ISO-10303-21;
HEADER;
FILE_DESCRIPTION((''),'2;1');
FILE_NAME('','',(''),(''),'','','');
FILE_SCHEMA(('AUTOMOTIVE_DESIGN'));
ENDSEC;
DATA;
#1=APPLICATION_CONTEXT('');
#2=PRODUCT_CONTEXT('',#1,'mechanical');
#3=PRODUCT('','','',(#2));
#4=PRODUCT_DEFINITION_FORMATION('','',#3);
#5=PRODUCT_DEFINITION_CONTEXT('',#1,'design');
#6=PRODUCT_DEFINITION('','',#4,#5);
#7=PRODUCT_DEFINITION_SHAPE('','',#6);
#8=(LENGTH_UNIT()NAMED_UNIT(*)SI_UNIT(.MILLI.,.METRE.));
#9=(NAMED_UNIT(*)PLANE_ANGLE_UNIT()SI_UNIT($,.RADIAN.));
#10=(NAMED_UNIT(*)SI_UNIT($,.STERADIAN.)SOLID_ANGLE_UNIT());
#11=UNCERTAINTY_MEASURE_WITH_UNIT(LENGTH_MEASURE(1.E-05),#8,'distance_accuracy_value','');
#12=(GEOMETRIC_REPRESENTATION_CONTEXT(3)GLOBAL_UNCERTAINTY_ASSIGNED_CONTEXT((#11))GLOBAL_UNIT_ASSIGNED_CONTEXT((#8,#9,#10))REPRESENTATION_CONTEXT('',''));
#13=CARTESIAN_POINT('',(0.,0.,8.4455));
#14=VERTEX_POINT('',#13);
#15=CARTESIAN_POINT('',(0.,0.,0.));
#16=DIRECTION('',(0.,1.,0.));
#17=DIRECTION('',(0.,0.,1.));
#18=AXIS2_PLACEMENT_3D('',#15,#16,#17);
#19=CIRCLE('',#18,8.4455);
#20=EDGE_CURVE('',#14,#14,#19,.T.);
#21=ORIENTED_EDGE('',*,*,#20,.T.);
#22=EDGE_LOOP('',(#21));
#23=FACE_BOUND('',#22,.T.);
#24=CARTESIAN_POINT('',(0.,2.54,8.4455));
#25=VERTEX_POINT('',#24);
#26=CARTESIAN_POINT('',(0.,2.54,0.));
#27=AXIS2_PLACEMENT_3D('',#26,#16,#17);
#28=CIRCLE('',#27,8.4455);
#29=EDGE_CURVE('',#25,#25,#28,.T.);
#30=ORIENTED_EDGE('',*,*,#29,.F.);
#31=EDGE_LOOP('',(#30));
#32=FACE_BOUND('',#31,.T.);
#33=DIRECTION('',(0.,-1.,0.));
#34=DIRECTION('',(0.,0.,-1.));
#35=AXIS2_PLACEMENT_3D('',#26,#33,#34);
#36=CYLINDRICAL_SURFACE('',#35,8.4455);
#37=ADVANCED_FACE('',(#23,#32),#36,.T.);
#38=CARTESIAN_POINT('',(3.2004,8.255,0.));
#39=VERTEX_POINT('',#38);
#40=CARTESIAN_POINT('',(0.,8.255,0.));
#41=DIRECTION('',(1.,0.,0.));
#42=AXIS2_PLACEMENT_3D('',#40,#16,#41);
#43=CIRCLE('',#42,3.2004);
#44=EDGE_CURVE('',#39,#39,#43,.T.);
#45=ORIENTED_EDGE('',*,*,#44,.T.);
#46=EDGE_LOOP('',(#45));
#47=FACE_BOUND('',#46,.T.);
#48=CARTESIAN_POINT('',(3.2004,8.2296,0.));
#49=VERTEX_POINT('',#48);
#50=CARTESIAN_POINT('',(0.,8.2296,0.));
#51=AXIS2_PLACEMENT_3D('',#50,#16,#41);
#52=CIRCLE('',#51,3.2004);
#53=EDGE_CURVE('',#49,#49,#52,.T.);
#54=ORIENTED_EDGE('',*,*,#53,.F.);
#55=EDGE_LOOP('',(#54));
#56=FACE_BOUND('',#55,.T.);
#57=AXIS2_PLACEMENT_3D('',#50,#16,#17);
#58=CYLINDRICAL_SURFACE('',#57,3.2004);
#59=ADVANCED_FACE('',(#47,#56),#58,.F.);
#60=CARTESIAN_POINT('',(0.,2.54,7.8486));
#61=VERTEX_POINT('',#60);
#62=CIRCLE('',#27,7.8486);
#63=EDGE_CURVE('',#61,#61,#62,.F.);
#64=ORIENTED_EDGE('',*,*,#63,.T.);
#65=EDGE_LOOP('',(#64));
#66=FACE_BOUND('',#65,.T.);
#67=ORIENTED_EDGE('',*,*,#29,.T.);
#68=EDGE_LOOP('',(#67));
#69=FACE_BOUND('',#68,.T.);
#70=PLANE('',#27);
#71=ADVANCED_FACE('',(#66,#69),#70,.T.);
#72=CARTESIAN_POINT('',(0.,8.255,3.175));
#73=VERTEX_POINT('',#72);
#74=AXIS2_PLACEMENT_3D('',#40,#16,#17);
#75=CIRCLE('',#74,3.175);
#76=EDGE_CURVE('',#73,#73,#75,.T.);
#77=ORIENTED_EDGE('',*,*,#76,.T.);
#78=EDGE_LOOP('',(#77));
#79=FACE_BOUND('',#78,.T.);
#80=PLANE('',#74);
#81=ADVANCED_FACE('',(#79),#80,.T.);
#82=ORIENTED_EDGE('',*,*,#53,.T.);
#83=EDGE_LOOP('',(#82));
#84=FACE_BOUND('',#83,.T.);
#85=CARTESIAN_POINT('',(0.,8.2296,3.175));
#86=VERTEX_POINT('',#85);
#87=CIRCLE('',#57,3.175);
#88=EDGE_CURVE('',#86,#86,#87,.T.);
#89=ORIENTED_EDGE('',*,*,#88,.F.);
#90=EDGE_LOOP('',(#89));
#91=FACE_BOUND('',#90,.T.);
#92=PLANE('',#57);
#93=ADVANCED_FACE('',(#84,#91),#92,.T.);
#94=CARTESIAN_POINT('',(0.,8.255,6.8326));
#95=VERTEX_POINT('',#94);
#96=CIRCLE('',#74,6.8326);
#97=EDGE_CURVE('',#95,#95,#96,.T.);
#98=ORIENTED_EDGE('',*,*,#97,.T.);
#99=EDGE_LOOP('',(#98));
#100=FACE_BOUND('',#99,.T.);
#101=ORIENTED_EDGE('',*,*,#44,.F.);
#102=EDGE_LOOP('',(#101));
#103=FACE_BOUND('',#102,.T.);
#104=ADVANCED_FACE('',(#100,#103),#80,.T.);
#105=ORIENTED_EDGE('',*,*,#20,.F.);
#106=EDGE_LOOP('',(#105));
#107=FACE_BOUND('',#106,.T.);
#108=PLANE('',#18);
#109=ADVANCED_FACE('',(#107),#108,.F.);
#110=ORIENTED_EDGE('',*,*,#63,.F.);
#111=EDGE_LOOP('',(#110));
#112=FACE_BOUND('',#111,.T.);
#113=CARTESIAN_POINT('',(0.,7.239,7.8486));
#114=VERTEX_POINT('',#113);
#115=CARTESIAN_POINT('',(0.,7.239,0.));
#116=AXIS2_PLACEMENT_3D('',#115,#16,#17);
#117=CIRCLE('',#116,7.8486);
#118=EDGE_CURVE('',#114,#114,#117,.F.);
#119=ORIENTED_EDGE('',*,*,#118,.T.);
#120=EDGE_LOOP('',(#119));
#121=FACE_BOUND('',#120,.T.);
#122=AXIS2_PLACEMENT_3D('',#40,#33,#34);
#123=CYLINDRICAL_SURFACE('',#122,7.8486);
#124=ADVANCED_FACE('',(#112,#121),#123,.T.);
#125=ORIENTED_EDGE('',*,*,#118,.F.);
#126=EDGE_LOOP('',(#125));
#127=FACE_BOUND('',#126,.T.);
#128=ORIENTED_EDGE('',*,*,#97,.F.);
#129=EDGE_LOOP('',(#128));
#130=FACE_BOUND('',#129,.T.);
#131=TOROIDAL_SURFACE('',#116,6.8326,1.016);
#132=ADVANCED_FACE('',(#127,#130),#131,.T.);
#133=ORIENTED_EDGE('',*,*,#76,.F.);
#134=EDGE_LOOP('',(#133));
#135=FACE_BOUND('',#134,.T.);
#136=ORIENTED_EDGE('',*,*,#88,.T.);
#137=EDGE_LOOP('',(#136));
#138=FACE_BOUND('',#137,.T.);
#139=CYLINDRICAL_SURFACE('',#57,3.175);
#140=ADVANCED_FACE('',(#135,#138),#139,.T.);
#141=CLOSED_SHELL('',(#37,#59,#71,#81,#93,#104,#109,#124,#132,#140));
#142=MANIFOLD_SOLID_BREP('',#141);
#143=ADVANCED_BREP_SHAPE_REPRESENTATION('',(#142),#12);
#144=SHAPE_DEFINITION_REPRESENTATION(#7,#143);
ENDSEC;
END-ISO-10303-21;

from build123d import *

# Parameters (mm, degrees)
SKETCH1_R               = 8.4455
BOSS_EXTRUDE1_DEPTH     = 2.54
SKETCH2_R               = 7.8486
BOSS_EXTRUDE2_DEPTH     = 8.255
FILLET1_R               = 1.016
SKETCH3_R               = 3.2004
SKETCH3_R_2             = 3.175
CUT_EXTRUDE_THIN1_DEPTH = 0.0254


with BuildPart() as part:
    # Sketch1 → Boss-Extrude1 (new body)
    with BuildSketch(Plane(origin=(0, 0, 0), x_dir=(1, 0, 0), z_dir=(0, 1, 0))):
        Circle(SKETCH1_R)
    extrude(amount=BOSS_EXTRUDE1_DEPTH)

    # Sketch2 → Boss-Extrude2 (add)
    with BuildSketch(Plane(origin=(0, 0, 0), x_dir=(1, 0, 0), z_dir=(0, 1, 0))):
        Circle(SKETCH2_R)
    extrude(amount=BOSS_EXTRUDE2_DEPTH)

    # Fillet1
    fillet1_edges = [part.edges().sort_by_distance(p)[0] for p in [
        (-7.8486, 8.255, 0),
    ]]
    fillet(fillet1_edges, radius=FILLET1_R)

    # Sketch3 → Cut-Extrude-Thin1 (cut)
    with BuildSketch(Plane(origin=(0, 8.255, 0), x_dir=(1, 0, 0), z_dir=(0, 1, 0))):
        Circle(SKETCH3_R)
        Circle(SKETCH3_R_2, mode=Mode.SUBTRACT)
    extrude(amount=-CUT_EXTRUDE_THIN1_DEPTH, mode=Mode.SUBTRACT)


solid = part.part
